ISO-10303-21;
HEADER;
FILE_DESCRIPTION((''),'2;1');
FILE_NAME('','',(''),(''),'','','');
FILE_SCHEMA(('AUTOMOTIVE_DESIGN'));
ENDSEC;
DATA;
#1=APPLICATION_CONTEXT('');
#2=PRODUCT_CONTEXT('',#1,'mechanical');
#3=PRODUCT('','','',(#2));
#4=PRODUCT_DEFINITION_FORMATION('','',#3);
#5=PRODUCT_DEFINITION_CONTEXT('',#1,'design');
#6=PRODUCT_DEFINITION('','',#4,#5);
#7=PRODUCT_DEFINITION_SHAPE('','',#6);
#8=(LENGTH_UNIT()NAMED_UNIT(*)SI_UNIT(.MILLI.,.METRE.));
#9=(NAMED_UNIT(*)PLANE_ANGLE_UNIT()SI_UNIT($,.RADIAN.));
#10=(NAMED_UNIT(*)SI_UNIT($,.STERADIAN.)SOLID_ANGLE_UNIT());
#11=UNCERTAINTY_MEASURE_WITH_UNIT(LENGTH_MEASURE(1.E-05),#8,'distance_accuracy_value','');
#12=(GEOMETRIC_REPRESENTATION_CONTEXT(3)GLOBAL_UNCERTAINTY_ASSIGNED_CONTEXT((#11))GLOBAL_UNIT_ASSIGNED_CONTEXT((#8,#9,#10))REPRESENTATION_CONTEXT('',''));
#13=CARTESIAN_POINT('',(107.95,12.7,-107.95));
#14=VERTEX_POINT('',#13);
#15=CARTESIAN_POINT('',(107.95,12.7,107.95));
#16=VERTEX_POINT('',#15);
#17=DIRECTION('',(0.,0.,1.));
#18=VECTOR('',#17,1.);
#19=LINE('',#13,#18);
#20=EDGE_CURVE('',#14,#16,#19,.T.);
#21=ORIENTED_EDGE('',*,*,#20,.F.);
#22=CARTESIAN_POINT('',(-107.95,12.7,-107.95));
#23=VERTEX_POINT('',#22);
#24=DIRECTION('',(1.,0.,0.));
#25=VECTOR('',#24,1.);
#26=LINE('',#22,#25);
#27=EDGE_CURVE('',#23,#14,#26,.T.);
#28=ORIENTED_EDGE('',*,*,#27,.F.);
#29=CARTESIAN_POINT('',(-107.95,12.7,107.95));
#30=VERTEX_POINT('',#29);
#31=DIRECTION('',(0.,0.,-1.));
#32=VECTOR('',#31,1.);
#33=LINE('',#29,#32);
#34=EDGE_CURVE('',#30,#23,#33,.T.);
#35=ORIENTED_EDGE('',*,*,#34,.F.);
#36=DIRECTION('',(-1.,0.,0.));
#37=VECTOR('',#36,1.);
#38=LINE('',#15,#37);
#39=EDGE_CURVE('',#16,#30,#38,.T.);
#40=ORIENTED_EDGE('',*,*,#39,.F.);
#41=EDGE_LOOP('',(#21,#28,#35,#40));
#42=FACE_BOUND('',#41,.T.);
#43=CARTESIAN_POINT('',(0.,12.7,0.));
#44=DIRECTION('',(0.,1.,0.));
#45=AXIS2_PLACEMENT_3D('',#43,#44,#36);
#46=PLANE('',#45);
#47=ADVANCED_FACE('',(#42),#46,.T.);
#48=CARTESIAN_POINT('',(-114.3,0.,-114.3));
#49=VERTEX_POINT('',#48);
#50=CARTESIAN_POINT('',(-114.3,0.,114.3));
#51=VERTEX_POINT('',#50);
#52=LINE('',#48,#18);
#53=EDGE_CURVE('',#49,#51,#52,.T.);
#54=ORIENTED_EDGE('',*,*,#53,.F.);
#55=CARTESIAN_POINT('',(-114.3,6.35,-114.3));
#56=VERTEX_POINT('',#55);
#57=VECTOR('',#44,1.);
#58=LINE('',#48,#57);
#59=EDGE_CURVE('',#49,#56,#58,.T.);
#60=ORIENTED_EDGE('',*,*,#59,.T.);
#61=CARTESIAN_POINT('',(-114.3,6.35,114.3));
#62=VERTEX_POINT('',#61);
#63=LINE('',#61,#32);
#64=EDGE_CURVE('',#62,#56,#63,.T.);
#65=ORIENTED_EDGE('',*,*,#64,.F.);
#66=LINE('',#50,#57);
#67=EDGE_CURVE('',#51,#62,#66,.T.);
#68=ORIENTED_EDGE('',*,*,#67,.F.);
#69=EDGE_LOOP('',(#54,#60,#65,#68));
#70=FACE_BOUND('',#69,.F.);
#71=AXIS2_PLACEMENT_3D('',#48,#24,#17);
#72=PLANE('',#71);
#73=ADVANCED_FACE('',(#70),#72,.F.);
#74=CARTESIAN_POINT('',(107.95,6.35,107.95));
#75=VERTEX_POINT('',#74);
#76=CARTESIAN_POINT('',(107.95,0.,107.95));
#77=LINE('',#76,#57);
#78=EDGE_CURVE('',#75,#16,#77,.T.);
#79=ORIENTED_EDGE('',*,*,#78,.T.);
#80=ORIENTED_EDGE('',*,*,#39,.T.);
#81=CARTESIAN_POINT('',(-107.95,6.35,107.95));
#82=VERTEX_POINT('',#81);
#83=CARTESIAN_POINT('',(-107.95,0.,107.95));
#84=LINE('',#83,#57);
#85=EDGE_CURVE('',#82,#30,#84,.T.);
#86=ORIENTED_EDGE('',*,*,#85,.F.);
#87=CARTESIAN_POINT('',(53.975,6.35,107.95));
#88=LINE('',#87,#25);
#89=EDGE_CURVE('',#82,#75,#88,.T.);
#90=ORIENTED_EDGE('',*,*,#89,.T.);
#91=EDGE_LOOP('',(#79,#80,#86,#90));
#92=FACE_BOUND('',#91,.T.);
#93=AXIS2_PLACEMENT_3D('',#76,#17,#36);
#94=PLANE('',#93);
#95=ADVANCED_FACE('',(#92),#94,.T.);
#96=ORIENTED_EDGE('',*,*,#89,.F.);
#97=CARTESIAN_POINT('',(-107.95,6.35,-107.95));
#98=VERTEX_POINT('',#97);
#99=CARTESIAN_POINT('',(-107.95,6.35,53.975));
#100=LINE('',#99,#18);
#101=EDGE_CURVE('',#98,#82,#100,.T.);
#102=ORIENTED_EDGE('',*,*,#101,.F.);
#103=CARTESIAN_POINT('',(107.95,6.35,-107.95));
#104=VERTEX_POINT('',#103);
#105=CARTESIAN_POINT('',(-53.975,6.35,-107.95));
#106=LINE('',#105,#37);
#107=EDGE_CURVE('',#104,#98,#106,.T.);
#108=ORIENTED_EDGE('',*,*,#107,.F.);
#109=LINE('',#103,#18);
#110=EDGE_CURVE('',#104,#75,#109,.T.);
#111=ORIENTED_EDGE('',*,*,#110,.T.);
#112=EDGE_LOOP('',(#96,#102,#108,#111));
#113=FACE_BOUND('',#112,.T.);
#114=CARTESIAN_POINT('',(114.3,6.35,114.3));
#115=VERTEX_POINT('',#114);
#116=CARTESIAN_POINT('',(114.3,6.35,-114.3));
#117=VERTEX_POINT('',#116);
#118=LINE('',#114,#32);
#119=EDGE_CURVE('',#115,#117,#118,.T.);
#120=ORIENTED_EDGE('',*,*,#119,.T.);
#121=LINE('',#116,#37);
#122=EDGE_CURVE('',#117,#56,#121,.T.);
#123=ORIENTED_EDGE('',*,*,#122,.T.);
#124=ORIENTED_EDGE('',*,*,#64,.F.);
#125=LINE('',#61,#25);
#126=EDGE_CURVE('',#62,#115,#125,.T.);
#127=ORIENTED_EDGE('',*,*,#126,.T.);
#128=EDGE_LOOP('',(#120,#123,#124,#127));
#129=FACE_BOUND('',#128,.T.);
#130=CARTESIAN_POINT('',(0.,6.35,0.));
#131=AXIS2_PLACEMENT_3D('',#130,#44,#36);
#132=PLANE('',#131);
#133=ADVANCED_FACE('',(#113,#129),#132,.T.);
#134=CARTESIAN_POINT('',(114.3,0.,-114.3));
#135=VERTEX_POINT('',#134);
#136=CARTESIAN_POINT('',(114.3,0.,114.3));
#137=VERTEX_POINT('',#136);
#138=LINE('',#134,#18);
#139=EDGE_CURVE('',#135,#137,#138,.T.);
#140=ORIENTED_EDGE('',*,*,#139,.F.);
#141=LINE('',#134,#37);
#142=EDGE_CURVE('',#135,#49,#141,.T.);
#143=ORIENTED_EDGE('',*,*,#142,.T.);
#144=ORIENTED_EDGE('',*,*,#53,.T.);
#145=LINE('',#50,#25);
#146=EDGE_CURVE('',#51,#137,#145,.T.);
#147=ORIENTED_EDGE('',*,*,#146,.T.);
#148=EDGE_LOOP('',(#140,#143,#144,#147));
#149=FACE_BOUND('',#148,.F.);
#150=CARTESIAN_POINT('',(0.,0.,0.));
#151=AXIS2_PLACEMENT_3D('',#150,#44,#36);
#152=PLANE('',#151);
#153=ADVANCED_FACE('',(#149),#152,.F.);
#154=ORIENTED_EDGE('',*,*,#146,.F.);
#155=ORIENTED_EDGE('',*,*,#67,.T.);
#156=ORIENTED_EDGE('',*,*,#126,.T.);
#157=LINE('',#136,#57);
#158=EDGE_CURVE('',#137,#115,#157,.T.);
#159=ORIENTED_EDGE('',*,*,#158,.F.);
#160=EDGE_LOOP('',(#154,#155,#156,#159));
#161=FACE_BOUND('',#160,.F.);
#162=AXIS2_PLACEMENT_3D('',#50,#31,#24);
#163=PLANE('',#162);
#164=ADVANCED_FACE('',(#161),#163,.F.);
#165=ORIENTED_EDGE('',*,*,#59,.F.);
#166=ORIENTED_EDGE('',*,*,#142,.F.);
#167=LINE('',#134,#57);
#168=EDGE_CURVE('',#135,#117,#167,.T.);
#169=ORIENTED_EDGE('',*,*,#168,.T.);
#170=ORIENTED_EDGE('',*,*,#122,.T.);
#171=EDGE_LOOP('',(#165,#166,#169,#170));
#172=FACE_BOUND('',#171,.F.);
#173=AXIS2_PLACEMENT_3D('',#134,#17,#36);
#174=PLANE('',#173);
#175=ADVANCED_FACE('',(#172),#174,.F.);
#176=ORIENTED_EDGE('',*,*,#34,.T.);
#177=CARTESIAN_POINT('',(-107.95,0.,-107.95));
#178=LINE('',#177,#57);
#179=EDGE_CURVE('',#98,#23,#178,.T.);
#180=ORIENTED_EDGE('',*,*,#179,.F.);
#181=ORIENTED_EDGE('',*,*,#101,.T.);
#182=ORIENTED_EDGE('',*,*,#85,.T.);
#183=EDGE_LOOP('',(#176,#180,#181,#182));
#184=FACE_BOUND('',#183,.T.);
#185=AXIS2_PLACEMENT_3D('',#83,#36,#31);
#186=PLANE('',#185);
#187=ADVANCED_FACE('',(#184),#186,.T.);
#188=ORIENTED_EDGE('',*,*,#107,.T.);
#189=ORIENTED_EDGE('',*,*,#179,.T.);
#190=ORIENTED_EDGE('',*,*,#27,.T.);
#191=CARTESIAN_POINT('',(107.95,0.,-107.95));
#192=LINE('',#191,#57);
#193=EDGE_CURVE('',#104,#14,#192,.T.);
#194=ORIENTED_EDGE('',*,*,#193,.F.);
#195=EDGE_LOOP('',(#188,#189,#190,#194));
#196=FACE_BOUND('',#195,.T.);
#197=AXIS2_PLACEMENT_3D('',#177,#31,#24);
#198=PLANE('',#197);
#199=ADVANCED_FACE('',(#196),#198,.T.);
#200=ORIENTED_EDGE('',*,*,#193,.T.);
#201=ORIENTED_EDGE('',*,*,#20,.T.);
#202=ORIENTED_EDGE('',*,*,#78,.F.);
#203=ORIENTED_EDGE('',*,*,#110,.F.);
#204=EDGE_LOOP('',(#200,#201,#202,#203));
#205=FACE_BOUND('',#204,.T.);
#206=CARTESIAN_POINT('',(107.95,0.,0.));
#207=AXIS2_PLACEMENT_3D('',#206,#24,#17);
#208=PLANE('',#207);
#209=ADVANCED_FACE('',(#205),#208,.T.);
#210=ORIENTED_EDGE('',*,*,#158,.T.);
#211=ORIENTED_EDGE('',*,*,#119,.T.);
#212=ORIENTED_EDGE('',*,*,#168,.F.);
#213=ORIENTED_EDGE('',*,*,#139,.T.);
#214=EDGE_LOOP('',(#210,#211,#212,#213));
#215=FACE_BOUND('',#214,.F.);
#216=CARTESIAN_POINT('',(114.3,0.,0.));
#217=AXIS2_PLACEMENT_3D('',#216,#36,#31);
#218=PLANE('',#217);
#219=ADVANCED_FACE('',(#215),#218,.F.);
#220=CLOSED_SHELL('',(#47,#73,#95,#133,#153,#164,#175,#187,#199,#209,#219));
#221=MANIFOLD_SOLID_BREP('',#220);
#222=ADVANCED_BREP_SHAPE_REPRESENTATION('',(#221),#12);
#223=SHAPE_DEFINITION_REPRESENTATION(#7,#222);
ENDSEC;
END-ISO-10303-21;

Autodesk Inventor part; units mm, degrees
ref_plane "YZ Plane" through (0, 0, 0) normal (1, 0, 0) x (0, 1, 0)
ref_plane "XZ Plane" through (0, 0, 0) normal (0, 1, 0) x (-1, 0, 0)
ref_plane "XY Plane" through (0, 0, 0) normal (0, 0, 1) x (1, 0, 0)
sketch "Sketch1" plane through (0, 0, 0) normal (0, 1, 0) x (-1, 0, 0)
  line L0 (0, 0) -> (-114.3, 0)
  line L1 (0, 0) -> (114.3, 0) construction
  line L2 (-114.3, 0) -> (-114.3, -114.3)
  line L3 (-114.3, -114.3) -> (114.3, -114.3)
  line L4 (114.3, -114.3) -> (114.3, 114.3)
  line L5 (114.3, 114.3) -> (-114.3, 114.3)
  line L6 (-114.3, 114.3) -> (-114.3, 0)
  line L7 (114.3, 114.3) -> (114.3, 107.95)
  line L8 (114.3, 107.95) -> (107.95, 107.95)
  line L9 (107.95, 107.95) -> (107.95, -107.95)
  line L10 (107.95, -107.95) -> (-107.95, -107.95)
  line L11 (-107.95, -107.95) -> (-107.95, 107.95)
  line L12 (-107.95, 107.95) -> (107.95, 107.95)
  dimension "d0" = 114.3
  dimension "d1" = 180
  dimension "d2" = 114.3
  dimension "d3" = 228.6
  dimension "d4" = 228.6
  dimension "d5" = 6.35
  dimension "d6" = 6.35
  dimension "d7" = 215.9
  dimension "d8" = 215.9
  dimension "d9" = 215.9
extrude "Extrusion1" add sketch "Sketch1" along normal blind 6.35
extrude "Extrusion2" add sketch "Sketch1" along normal blind 12.7 contours L11 L12 L9 L10
properties part number "lid"
